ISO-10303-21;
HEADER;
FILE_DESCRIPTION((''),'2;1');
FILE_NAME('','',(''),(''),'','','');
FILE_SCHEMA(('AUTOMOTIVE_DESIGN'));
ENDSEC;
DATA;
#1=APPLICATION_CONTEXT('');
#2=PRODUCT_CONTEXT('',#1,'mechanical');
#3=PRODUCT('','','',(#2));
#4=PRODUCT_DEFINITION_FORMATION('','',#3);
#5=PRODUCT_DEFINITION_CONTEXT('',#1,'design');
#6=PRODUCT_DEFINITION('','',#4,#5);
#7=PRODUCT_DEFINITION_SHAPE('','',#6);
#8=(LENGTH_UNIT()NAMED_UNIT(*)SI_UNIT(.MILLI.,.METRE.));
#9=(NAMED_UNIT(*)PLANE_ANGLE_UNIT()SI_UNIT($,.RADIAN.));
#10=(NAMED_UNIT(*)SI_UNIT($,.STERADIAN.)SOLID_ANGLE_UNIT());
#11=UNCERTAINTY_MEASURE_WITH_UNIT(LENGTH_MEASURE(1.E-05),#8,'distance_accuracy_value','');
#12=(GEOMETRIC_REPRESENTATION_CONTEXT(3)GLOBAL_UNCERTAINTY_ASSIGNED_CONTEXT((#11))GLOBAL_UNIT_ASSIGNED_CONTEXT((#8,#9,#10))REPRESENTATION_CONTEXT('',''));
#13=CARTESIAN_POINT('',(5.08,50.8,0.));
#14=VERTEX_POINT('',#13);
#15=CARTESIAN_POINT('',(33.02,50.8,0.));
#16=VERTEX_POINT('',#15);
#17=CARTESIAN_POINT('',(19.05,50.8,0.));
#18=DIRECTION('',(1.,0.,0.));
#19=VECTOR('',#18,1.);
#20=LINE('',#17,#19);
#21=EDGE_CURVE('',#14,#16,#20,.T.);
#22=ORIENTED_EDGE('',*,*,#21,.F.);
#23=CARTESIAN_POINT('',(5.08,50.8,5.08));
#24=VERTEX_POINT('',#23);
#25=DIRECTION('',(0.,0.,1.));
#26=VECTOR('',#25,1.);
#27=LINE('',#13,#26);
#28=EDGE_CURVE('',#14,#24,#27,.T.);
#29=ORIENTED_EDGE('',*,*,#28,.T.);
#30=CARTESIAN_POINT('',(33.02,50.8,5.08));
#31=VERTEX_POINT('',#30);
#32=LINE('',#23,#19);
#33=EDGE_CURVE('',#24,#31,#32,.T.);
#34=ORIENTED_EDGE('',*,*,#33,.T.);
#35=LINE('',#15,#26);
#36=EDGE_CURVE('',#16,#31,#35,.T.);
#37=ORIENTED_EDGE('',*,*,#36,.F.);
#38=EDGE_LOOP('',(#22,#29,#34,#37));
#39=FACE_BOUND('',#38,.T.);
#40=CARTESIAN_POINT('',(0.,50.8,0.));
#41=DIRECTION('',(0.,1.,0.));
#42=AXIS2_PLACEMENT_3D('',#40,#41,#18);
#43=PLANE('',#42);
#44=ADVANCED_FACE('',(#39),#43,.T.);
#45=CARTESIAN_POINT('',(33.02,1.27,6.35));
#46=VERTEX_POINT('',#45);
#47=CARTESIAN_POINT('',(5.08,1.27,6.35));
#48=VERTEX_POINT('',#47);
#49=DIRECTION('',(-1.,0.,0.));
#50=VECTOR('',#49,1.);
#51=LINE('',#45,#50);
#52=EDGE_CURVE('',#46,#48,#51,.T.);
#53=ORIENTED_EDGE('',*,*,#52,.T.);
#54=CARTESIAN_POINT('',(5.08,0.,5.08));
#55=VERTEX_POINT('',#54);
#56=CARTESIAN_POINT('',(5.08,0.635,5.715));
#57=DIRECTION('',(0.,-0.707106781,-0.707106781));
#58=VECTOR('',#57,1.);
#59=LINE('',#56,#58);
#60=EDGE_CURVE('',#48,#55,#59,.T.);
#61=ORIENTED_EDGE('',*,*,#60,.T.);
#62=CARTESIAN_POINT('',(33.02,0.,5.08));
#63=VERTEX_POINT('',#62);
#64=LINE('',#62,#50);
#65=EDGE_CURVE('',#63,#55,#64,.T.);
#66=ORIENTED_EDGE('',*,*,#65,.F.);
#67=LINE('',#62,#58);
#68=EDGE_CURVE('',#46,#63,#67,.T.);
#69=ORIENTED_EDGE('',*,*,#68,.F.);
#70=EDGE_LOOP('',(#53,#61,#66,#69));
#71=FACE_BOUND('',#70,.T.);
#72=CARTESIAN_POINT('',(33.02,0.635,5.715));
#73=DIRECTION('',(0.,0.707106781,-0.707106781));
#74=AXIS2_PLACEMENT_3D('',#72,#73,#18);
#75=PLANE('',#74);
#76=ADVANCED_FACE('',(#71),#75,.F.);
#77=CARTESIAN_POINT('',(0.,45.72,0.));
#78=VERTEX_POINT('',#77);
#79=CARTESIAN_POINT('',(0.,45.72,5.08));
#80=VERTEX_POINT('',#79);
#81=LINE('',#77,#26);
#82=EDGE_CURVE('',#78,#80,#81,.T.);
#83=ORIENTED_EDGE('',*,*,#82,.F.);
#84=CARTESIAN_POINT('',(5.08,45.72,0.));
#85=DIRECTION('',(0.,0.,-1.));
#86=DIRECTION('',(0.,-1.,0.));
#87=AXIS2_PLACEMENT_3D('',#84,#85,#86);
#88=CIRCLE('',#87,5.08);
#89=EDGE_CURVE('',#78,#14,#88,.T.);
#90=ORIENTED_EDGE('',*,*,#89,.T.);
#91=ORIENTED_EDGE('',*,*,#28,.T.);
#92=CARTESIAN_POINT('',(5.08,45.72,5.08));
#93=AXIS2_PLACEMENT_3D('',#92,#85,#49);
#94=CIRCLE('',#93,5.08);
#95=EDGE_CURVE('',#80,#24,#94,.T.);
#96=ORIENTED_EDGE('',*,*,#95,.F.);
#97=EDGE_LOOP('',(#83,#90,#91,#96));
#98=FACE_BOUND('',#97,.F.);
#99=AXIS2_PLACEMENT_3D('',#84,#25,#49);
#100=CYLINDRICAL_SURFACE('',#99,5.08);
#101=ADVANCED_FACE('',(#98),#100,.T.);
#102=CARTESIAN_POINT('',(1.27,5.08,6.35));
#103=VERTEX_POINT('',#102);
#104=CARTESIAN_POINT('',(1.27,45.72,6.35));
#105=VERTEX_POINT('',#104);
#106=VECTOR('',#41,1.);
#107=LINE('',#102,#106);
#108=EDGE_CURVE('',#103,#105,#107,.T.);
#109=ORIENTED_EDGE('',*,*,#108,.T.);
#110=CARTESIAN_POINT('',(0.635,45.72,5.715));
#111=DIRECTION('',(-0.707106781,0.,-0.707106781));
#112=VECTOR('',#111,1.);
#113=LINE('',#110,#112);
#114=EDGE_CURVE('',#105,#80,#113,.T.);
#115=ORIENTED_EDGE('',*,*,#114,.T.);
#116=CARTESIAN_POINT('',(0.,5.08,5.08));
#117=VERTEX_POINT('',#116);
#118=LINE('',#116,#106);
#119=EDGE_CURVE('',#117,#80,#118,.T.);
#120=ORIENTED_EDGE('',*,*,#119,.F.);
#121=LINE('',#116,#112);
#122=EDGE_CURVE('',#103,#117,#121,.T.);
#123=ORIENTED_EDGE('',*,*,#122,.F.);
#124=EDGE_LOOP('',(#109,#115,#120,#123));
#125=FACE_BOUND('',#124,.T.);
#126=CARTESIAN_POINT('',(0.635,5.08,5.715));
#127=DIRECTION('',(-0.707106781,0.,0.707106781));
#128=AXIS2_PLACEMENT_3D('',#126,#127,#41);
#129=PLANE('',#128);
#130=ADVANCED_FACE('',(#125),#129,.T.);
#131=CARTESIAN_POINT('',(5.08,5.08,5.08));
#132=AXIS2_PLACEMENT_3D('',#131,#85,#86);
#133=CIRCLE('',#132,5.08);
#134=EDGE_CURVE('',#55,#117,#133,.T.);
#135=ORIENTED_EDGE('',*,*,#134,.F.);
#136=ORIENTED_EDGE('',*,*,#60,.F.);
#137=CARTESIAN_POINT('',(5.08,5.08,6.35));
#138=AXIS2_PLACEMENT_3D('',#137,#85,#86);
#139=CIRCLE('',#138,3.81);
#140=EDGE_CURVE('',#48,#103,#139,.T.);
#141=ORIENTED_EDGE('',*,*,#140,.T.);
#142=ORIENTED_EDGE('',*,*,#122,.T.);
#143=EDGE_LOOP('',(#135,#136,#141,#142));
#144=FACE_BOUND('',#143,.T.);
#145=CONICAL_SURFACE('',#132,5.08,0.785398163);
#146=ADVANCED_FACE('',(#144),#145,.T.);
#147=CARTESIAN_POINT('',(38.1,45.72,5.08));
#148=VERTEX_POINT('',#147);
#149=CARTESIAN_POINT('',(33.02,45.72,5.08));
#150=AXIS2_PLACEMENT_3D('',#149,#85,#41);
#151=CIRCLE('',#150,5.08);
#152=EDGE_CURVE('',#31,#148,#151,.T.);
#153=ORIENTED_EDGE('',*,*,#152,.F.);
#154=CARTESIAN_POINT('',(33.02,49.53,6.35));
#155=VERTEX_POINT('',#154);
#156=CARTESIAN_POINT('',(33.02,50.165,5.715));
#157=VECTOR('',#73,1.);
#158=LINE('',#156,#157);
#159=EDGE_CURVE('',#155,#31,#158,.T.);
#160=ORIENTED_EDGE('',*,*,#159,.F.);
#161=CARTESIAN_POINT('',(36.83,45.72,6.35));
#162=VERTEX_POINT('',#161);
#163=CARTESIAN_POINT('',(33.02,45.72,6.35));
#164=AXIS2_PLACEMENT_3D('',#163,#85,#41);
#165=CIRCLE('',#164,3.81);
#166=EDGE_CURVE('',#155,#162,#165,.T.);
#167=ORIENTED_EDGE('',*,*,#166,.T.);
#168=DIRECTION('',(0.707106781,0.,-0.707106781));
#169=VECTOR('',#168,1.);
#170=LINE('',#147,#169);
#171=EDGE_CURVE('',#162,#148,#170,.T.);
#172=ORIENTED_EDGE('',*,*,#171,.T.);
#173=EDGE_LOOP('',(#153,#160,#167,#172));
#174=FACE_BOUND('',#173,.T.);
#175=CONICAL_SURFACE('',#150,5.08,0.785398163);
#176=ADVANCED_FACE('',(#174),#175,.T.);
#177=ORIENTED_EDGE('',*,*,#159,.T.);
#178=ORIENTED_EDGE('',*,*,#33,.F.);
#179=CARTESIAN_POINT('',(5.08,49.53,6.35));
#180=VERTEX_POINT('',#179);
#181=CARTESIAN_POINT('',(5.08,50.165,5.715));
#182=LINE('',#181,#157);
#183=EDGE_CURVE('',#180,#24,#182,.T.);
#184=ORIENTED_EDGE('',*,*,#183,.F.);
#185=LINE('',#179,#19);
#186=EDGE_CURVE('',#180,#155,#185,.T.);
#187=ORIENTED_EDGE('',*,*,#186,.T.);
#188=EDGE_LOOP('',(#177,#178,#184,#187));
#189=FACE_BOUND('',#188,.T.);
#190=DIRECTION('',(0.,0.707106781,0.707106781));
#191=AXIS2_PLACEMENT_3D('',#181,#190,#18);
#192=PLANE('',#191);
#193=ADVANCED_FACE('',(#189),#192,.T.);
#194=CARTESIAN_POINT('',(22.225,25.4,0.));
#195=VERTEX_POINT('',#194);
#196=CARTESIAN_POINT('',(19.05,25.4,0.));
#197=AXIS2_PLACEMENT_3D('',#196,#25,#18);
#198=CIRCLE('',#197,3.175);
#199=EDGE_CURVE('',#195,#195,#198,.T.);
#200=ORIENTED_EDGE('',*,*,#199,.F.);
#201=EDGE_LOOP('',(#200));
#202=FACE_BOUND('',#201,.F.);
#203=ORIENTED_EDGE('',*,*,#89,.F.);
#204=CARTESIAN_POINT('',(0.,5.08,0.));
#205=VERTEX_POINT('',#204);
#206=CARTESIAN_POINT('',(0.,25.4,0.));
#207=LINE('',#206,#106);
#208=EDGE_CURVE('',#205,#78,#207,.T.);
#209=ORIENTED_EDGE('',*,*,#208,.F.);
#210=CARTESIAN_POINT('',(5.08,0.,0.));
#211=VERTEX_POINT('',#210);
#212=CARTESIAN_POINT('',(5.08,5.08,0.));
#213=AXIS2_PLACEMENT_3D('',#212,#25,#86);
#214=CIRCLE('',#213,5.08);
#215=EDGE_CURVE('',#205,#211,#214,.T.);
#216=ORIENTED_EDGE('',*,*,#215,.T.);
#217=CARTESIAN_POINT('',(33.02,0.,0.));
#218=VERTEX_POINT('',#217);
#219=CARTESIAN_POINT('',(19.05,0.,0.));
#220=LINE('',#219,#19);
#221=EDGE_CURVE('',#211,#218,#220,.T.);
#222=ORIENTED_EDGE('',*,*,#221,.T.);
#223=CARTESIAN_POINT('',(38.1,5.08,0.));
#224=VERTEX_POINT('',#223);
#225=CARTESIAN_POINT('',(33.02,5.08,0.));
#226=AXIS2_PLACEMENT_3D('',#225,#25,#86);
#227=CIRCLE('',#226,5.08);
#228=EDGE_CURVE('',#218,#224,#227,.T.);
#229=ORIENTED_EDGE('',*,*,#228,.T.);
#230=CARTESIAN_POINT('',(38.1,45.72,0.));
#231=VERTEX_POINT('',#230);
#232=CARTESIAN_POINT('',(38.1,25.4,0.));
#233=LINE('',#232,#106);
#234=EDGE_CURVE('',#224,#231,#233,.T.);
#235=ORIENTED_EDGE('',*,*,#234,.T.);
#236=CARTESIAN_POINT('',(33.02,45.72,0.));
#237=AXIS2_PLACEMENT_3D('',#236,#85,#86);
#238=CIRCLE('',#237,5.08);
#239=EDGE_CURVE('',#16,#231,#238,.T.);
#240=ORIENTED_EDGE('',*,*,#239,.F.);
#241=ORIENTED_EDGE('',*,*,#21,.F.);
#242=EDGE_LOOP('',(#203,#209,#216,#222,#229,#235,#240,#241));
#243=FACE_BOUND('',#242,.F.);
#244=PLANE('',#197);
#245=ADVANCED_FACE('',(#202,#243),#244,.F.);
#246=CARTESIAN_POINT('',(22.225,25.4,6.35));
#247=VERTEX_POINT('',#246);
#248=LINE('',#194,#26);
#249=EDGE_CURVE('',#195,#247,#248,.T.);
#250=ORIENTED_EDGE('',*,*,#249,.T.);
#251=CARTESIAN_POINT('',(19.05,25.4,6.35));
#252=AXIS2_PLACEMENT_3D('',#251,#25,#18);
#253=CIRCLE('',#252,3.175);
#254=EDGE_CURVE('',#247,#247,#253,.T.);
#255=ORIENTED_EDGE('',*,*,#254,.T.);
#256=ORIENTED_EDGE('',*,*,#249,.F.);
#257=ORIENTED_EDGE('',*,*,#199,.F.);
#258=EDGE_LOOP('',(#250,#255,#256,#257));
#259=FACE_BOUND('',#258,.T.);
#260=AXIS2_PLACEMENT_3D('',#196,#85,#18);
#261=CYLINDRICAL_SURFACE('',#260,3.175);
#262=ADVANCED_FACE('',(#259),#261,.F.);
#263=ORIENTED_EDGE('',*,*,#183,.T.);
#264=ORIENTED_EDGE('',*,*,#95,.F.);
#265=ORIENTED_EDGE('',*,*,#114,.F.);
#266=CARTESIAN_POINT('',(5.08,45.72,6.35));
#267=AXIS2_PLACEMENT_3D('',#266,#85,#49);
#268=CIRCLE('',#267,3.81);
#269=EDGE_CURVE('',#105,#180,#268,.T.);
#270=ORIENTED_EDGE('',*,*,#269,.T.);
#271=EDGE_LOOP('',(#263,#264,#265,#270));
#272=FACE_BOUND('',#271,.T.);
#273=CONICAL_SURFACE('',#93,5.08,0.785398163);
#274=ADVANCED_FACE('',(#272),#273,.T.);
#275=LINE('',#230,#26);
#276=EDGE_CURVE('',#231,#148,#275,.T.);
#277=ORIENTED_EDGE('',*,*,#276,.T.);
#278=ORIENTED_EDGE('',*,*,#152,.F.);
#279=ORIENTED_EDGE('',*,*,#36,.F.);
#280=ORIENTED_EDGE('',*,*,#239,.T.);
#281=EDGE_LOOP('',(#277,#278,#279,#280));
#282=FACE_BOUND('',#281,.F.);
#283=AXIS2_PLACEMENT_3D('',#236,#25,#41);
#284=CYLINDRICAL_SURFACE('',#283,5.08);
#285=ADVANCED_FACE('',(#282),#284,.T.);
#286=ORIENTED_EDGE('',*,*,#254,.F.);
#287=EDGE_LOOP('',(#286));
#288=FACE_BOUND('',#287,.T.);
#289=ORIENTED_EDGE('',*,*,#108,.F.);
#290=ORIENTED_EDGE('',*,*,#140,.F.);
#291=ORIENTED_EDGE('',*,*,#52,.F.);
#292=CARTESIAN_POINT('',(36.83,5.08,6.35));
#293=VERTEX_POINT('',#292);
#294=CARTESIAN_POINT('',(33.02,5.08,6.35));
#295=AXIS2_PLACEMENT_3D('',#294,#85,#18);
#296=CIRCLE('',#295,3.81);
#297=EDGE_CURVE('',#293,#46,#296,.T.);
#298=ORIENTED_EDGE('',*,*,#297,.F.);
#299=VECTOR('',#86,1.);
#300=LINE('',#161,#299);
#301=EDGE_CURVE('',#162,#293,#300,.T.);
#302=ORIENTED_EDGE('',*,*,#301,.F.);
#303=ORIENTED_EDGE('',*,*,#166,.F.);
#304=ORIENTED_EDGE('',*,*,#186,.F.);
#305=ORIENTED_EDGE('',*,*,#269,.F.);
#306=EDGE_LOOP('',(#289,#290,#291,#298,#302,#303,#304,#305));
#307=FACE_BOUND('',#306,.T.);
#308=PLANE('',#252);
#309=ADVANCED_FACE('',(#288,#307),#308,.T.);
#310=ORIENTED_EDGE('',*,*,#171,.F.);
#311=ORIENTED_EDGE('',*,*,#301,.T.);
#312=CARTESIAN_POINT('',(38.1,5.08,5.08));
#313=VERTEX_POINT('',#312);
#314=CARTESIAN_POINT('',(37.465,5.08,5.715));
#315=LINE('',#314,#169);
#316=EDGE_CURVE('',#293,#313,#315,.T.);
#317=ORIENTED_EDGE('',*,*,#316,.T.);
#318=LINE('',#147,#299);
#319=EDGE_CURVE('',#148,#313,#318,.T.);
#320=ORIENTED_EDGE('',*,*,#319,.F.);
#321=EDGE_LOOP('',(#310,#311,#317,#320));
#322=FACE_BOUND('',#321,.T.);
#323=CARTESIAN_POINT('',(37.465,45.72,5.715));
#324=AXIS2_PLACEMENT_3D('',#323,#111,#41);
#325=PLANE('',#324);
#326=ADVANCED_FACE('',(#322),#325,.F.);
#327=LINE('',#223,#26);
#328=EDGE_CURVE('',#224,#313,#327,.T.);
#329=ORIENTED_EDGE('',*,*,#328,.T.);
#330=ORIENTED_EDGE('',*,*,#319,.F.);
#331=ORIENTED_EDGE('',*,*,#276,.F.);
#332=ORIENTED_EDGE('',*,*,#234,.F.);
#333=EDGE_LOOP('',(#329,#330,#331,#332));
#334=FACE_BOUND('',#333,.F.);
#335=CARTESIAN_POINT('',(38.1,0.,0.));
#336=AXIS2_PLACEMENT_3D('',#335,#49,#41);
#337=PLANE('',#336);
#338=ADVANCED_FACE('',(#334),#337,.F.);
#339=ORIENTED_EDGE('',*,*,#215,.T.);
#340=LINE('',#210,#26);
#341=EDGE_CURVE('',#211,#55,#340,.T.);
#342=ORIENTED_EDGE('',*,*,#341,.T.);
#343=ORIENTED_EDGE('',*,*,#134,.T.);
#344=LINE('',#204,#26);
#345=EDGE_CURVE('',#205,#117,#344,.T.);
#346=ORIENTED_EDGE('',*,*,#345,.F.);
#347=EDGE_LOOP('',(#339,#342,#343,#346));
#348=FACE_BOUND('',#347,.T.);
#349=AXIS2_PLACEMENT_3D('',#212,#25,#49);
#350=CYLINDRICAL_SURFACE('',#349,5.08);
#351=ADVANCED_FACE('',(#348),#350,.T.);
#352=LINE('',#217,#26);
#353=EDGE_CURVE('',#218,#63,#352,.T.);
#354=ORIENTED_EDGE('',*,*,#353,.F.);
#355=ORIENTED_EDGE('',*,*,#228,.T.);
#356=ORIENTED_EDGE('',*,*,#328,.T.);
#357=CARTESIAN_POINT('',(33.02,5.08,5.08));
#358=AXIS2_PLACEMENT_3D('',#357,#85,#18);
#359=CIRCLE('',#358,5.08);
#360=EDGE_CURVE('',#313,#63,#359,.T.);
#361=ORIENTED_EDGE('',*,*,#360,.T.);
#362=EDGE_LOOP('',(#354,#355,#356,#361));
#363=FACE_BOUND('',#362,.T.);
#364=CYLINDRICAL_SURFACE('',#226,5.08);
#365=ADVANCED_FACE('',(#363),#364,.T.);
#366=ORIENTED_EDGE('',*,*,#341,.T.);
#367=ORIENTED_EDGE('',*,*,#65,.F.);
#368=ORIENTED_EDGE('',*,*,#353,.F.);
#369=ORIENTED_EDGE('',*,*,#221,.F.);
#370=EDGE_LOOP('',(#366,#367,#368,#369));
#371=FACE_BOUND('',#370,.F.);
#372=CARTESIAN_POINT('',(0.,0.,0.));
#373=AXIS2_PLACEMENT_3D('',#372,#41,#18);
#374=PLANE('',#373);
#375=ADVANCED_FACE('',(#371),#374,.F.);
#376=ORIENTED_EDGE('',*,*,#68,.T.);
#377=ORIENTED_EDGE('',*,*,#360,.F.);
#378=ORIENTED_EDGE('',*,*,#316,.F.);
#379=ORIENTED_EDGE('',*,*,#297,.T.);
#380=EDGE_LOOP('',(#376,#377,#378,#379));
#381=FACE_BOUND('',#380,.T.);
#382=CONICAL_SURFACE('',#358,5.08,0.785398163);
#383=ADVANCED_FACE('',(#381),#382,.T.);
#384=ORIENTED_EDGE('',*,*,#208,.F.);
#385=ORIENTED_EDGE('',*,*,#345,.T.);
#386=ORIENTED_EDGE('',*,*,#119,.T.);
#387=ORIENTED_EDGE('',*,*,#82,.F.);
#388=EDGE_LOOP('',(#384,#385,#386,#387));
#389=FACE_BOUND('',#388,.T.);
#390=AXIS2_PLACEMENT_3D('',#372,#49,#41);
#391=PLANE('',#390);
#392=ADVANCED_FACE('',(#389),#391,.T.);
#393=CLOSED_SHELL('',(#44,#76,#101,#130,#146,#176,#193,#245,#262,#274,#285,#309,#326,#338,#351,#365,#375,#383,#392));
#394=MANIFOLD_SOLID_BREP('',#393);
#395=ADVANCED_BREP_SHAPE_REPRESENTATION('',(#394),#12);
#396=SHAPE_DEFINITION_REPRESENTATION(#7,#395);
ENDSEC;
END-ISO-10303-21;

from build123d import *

# Parameters (mm, degrees)
F0_W     = 38.1
F0_H     = 50.8
F0_R     = 3.175
F1_DEPTH = 6.35
F2_R     = 5.08
F3_SIZE  = 1.27


with BuildPart() as f1:
    # F0 (on Top) → F1 (new body)
    with BuildSketch(Plane.XY):
        with Locations((19.05, 25.4)):
            Rectangle(F0_W, F0_H)
        with Locations((19.05, 25.4)):
            Circle(F0_R, mode=Mode.SUBTRACT)
    extrude(amount=F1_DEPTH)

    # F2
    f2_edges = [f1.edges().sort_by_distance(p)[0] for p in [
        (0, 50.8, 3.175),
        (0, 0, 3.175),
        (38.1, 0, 3.175),
        (38.1, 50.8, 3.175),
    ]]
    fillet(f2_edges, radius=F2_R)

    # F3
    f3_edges = [f1.edges().sort_by_distance(p)[0] for p in [
        (19.05, 50.8, 6.35),
    ]]
    chamfer(f3_edges, length=F3_SIZE)


solid = f1.part
